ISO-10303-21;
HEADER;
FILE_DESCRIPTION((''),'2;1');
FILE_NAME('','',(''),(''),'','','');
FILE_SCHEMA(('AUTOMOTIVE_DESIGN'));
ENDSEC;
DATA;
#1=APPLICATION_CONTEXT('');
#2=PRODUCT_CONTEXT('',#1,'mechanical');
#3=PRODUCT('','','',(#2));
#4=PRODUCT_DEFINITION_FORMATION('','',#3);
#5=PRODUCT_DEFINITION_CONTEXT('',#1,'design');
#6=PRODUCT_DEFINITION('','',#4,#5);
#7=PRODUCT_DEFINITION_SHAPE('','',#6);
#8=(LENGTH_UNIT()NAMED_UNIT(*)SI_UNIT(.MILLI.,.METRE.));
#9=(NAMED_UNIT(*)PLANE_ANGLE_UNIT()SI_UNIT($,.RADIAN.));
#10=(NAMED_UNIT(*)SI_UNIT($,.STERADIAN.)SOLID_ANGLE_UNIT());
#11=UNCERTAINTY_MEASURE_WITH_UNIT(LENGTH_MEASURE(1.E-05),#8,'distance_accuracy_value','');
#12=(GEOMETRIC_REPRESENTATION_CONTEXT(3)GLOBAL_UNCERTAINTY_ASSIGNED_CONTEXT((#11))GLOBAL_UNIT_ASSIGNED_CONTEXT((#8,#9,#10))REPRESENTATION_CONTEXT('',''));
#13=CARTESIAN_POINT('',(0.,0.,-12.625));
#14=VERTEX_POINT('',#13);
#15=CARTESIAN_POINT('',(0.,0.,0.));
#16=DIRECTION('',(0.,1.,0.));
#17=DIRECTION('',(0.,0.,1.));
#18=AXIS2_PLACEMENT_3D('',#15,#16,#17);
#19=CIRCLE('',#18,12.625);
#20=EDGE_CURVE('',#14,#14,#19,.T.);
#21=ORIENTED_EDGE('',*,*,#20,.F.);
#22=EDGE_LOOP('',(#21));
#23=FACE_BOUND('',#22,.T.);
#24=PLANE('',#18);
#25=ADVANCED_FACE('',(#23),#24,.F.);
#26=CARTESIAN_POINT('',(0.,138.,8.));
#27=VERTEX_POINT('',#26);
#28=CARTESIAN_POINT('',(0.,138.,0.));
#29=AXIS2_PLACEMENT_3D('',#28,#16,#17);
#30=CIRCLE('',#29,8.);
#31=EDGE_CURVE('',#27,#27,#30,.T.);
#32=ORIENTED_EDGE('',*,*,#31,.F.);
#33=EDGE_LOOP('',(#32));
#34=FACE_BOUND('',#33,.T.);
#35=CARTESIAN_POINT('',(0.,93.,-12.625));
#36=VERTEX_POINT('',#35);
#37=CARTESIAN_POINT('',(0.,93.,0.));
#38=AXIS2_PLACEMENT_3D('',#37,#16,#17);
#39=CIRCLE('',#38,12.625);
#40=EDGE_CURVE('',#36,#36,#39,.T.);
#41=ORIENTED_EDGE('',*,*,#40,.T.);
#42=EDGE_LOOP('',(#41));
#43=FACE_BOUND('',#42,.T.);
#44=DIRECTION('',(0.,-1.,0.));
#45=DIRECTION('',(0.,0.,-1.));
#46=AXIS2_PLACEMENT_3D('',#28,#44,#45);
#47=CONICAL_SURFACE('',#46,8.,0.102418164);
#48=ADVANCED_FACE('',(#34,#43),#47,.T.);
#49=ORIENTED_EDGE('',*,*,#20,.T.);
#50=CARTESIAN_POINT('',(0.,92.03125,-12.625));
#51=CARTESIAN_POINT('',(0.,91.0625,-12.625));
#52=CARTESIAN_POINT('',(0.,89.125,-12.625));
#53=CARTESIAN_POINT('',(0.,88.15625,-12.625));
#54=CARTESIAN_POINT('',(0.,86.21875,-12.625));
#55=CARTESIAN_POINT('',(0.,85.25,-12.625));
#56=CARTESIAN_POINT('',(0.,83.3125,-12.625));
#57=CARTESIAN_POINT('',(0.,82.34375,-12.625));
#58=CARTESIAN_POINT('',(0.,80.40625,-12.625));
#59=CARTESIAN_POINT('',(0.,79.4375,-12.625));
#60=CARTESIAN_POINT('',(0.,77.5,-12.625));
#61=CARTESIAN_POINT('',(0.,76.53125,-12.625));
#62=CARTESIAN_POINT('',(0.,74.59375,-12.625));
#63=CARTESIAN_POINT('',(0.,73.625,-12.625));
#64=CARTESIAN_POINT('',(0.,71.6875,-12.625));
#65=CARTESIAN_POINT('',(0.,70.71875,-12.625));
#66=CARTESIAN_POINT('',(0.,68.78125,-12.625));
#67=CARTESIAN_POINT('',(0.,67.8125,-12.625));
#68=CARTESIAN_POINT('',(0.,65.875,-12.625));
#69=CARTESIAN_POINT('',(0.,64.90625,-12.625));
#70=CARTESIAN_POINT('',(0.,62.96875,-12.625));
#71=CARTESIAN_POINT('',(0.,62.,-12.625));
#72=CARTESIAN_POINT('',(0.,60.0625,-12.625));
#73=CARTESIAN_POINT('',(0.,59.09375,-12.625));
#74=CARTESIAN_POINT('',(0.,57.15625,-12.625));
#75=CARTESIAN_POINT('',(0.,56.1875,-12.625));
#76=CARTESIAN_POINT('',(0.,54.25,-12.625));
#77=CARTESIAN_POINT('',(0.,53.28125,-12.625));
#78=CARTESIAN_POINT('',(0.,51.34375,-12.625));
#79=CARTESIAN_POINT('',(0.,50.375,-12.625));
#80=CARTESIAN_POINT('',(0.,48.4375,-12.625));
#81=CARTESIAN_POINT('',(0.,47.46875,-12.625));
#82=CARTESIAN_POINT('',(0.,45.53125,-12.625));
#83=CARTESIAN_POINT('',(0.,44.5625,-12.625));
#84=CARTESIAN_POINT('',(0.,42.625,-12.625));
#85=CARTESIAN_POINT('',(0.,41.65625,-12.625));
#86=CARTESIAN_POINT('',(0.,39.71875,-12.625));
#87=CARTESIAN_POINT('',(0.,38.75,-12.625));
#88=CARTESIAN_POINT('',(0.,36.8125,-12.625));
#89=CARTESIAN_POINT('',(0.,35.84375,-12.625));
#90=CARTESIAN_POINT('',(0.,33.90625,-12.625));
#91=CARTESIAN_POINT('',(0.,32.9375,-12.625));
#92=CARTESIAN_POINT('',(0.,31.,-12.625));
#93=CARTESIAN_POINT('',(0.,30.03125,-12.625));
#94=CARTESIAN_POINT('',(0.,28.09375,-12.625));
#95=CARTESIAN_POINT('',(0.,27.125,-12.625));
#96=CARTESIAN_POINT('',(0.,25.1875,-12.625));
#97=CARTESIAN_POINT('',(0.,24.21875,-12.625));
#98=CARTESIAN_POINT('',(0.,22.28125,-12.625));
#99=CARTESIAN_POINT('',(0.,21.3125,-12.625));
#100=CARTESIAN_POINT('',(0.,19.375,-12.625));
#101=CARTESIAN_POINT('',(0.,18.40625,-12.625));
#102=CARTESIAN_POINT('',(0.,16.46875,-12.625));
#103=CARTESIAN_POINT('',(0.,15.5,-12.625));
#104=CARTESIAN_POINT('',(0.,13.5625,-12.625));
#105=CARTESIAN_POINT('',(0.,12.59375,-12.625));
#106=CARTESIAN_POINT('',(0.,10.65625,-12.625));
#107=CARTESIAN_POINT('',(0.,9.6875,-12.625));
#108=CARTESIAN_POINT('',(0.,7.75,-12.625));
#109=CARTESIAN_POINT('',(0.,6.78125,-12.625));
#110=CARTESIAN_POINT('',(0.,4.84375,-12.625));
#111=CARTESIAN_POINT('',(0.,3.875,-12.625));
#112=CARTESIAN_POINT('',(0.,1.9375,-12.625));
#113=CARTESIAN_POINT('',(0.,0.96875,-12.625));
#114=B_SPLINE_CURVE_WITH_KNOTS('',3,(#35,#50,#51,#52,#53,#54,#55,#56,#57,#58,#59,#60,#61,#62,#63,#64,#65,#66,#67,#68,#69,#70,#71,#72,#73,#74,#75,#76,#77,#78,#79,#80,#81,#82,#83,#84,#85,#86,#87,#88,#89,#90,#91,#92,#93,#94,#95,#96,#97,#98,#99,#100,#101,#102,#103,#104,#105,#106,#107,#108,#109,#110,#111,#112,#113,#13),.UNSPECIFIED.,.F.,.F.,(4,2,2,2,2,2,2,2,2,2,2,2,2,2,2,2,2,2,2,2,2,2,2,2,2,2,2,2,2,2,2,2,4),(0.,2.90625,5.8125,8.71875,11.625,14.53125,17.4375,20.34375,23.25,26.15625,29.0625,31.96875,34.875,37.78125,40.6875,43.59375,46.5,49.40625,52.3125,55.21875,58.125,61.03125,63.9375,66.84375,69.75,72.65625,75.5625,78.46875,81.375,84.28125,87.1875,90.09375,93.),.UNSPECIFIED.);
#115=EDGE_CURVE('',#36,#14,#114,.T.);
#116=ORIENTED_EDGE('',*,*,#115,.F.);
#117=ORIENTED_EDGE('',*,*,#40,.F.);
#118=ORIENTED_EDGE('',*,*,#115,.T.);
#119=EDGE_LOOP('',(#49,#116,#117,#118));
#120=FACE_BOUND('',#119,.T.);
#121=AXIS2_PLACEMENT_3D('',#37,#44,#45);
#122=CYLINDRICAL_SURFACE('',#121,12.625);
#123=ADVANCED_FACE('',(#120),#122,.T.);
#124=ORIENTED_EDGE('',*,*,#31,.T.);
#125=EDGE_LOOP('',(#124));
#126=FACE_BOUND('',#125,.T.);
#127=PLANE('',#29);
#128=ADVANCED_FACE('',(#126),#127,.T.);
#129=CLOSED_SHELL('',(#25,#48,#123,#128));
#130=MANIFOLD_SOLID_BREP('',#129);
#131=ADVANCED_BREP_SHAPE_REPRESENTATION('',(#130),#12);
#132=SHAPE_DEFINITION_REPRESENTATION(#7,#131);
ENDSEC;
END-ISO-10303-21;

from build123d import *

# Parameters (mm, degrees)
SKETCH1_R           = 12.625
BOSS_EXTRUDE1_DEPTH = 93
SKETCH2_R           = 8
BOSS_EXTRUDE2_DEPTH = 45


with BuildPart() as part:
    # Sketch1 → Boss-Extrude1 (new body)
    with BuildSketch(Plane(origin=(0, 0, 0), x_dir=(1, 0, 0), z_dir=(0, 1, 0))):
        with Locations(Location((0, 0, 0), (0, 0, 90))):
            Circle(SKETCH1_R)
    extrude(amount=BOSS_EXTRUDE1_DEPTH)

    # Sketch2 → Boss-Extrude2 (add)
    with BuildSketch(Plane(origin=(0, 93, 0), x_dir=(1, 0, 0), z_dir=(0, 1, 0))):
        with Locations(Location((0, 0, 0), (0, 0, 90))):
            Circle(SKETCH2_R)
    extrude(amount=BOSS_EXTRUDE2_DEPTH)

    # Sketch3 → Revolve1 (revolve)
    with BuildSketch(Plane.XY, mode=Mode.PRIVATE) as revolve1_sk:
        Polygon((12.625, 93), (8, 138), (8, 93), align=None)
    revolve(revolve1_sk.sketch.rotate(Axis((0, 138, 0), (0, -1, 0)), 270), axis=Axis((0, 138, 0), (0, -1, 0)))


solid = part.part
